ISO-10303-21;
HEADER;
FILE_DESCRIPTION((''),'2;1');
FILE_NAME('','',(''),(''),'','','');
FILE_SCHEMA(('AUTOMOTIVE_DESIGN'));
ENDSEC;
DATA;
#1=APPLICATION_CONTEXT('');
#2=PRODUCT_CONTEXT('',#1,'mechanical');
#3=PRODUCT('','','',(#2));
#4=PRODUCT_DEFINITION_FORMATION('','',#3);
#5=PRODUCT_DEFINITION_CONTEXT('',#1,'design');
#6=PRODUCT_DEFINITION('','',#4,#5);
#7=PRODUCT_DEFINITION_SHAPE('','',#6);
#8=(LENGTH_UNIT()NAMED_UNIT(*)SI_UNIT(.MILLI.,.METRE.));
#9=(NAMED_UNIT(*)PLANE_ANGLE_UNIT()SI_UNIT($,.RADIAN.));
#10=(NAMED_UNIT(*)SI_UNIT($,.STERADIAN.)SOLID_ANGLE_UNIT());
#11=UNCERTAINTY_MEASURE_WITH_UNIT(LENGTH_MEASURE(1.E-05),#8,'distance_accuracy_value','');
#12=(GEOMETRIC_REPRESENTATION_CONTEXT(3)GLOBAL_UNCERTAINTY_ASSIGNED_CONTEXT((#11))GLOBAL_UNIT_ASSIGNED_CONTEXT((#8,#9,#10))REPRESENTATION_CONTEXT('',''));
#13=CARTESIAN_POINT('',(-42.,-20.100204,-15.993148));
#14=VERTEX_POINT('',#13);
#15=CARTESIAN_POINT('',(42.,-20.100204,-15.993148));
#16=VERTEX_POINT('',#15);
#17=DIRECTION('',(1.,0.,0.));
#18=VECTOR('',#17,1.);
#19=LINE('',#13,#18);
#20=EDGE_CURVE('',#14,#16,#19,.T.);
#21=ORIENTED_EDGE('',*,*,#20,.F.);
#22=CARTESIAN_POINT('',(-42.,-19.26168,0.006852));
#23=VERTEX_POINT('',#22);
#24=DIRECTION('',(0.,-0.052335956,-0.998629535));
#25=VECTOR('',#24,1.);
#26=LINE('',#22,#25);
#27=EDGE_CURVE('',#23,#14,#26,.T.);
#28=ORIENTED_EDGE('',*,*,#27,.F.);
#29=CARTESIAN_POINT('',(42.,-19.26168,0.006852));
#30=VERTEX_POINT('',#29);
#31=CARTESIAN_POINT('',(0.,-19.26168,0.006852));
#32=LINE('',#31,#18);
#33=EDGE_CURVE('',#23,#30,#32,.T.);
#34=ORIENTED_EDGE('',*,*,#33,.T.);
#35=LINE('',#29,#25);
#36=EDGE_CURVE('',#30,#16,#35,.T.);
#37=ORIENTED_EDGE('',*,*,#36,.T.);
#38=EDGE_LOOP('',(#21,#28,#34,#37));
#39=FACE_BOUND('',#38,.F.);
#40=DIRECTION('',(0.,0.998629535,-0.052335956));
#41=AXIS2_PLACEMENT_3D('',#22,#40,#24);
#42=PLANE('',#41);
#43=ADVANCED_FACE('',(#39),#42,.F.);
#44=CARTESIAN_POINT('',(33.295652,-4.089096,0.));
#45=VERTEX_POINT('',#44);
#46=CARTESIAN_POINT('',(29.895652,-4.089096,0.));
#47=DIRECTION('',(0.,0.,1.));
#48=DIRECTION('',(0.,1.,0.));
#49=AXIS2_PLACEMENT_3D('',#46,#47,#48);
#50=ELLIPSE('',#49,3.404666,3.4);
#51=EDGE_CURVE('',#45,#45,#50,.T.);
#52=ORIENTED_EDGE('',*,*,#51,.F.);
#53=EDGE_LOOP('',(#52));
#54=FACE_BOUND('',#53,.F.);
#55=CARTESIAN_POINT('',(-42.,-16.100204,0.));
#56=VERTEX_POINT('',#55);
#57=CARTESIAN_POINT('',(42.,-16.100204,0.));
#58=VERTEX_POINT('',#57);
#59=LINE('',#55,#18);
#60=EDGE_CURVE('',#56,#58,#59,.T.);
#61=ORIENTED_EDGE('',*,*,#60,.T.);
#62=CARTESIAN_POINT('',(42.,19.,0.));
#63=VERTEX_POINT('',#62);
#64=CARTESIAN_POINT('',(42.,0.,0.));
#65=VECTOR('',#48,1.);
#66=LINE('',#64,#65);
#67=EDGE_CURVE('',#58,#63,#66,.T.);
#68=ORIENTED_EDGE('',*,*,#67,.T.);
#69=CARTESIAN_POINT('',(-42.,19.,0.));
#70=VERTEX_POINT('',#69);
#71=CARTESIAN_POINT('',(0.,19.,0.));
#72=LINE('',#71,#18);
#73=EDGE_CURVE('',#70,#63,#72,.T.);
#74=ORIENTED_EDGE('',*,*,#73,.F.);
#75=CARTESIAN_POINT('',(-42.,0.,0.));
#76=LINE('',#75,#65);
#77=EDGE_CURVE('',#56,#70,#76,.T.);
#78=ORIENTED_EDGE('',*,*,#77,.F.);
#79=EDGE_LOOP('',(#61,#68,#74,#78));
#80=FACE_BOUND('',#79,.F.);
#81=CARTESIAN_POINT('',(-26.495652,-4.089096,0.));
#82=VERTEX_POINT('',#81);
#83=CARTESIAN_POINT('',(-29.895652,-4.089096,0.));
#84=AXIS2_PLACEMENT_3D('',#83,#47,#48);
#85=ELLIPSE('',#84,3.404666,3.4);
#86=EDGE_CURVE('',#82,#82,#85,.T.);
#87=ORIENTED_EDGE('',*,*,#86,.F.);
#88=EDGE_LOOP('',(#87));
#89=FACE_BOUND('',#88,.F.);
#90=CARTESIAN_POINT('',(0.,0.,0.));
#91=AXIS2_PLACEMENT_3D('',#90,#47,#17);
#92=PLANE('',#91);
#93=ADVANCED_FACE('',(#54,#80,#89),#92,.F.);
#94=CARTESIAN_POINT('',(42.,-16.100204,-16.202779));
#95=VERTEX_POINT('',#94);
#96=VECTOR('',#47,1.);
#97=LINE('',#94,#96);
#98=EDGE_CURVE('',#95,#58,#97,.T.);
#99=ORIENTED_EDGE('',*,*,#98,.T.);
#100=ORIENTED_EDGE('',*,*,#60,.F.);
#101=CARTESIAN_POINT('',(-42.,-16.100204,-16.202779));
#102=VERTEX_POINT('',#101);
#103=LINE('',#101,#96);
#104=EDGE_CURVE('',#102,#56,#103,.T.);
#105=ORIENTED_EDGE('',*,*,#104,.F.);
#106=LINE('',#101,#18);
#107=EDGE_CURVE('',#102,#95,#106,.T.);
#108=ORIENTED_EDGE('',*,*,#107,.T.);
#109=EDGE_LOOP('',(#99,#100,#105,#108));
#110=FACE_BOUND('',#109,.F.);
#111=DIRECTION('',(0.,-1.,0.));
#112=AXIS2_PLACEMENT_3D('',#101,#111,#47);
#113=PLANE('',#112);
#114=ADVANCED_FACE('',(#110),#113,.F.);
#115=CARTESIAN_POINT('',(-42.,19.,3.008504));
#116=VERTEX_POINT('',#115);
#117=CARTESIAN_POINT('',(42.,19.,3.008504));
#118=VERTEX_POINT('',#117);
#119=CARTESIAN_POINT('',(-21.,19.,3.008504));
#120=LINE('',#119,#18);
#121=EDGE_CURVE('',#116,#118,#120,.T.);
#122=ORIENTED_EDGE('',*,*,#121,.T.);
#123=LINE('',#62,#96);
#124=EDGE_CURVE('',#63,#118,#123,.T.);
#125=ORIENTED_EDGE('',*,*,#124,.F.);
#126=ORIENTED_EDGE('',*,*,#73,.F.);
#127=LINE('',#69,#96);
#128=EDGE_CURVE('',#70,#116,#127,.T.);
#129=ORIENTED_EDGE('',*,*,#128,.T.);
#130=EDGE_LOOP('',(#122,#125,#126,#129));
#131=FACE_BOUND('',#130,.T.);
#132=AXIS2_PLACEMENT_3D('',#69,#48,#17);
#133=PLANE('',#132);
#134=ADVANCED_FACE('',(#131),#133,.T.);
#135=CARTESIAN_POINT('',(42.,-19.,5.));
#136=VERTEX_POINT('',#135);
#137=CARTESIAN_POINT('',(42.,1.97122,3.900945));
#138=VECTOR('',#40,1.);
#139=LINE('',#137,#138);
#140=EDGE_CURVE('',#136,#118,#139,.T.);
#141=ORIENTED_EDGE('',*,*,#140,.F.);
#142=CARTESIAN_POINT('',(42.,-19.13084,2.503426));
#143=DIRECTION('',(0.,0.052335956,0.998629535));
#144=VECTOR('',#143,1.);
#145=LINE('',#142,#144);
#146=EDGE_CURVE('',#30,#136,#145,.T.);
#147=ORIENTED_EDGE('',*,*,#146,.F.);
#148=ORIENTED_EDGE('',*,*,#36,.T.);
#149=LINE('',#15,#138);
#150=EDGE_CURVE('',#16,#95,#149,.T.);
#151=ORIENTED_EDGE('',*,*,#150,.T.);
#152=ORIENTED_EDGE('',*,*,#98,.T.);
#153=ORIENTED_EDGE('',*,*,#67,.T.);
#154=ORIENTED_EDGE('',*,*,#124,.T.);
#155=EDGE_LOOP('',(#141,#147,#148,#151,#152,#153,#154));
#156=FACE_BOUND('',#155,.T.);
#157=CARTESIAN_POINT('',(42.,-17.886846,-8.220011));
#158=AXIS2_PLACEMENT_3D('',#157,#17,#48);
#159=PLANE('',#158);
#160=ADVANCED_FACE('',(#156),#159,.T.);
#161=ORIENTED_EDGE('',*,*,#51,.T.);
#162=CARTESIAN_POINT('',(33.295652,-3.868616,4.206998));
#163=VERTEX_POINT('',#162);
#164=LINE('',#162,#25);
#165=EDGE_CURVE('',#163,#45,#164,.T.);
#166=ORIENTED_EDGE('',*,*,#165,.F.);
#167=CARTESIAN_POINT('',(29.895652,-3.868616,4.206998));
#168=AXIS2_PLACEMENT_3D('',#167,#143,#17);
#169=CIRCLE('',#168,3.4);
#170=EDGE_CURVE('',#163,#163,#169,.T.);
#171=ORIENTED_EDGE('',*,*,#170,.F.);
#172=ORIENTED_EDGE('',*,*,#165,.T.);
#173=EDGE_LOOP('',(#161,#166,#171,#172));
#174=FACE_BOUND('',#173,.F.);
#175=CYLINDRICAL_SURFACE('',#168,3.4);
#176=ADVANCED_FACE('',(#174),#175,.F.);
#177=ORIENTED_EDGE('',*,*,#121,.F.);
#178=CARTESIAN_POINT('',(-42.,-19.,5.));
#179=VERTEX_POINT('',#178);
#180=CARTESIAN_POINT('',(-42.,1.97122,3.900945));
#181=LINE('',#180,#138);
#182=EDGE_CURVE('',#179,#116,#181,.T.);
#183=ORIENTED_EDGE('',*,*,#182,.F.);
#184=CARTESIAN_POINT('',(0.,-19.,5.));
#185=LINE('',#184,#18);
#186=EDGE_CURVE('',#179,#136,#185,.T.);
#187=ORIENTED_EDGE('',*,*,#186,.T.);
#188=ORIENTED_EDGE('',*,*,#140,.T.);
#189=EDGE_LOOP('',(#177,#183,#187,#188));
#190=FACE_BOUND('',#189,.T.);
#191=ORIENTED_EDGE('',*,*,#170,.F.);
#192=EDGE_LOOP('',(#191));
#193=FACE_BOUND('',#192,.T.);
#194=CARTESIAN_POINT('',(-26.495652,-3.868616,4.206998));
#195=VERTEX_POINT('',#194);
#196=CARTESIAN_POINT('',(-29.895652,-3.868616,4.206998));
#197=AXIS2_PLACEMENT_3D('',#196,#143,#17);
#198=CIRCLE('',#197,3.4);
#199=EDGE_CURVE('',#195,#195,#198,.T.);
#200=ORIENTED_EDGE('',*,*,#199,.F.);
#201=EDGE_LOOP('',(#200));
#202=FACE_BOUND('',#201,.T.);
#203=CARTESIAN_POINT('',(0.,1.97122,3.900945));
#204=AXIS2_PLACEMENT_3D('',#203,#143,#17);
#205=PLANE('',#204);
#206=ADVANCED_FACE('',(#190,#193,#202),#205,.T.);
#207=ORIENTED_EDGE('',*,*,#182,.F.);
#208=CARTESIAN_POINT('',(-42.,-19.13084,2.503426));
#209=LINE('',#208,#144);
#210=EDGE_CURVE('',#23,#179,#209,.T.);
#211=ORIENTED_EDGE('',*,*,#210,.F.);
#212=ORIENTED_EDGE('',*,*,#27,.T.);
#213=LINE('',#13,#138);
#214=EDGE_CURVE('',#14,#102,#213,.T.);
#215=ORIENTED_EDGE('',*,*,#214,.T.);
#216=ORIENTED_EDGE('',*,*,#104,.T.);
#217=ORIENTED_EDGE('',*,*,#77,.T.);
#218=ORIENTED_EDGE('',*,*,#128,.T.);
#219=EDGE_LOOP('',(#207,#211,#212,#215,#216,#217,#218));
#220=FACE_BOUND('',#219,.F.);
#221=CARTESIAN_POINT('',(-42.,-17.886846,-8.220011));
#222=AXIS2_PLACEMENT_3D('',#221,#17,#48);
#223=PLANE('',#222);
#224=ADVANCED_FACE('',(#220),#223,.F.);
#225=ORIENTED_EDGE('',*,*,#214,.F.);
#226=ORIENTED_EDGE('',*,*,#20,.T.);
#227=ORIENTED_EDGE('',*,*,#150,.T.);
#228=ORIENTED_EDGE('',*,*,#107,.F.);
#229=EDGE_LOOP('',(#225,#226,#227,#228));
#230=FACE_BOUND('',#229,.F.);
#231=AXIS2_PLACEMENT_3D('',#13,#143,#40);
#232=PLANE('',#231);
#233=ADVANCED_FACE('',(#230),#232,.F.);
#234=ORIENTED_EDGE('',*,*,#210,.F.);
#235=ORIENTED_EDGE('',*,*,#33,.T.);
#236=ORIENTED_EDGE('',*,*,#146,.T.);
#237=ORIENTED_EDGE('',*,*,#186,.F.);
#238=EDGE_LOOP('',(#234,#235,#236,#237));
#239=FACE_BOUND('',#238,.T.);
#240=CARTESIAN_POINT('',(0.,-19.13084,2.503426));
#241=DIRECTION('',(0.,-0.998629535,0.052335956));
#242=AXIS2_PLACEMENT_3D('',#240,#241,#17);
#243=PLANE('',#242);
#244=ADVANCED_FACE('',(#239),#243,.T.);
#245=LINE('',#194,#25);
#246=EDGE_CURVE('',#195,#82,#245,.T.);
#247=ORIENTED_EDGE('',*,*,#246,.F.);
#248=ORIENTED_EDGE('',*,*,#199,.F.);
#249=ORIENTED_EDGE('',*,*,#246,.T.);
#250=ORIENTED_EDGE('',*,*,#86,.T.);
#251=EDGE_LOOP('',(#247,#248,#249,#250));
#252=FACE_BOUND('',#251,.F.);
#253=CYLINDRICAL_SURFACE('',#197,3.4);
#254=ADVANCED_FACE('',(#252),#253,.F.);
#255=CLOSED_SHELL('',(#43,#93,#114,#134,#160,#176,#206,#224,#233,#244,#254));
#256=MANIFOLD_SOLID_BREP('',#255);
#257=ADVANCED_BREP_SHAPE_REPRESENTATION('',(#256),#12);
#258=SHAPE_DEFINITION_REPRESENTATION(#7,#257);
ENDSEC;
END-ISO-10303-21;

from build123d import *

# Parameters (mm, degrees)
SKETCH1_W           = 84
SKETCH1_H           = 38
BOSS_EXTRUDE1_DEPTH = 5
SKETCH2_W           = 84
SKETCH2_H           = 42
CUT_REVOLVE1_ANGLE  = 3
SKETCH5_W           = 84
SKETCH5_H           = 5
REVOLVE1_ANGLE      = 3
BOSS_EXTRUDE3_DEPTH = 84
SKETCH4_R           = 3.4
CUT_EXTRUDE1_DEPTH  = 10


with BuildPart() as part:
    # Sketch1 → Boss-Extrude1 (new body)
    with BuildSketch(Plane.XY):
        Rectangle(SKETCH1_W, SKETCH1_H)
    extrude(amount=BOSS_EXTRUDE1_DEPTH)

    # Sketch2 → Cut-Revolve1 (revolve, cut)
    with BuildSketch(Plane.XY.offset(5)):
        with Locations((0, 2)):
            Rectangle(SKETCH2_W, SKETCH2_H)
    revolve(axis=Axis((-42, -19, 5), (-1, 0, 0)), revolution_arc=CUT_REVOLVE1_ANGLE, mode=Mode.SUBTRACT)

    # Sketch5 → Revolve1 (revolve)
    with BuildSketch(Plane.XZ.offset(19)):
        with Locations((0, 2.5)):
            Rectangle(SKETCH5_W, SKETCH5_H)
    revolve(axis=Axis((-42, -19, 5), (-1, 0, 0)), revolution_arc=REVOLVE1_ANGLE)

    # Sketch6 → Boss-Extrude3 (add)
    with BuildSketch(Plane(origin=(-42, 0, 0), x_dir=(0, -1, 0), z_dir=(-1, 0, 0))):
        Polygon((19.261679781, 0.006852326), (20.10020425, -15.993147674), (16.10020425, -16.202778791), (16.10020425, 0), align=None)
    extrude(amount=-BOSS_EXTRUDE3_DEPTH)

    # Sketch4 → Cut-Extrude1 (cut)
    with BuildSketch(Plane(origin=(0, 0.209279164, 3.993284337), x_dir=(1, 0, 0), z_dir=(0, 0.052335956, 0.998629535))):
        with Locations((29.895651858, -4.083491794)):
            Circle(SKETCH4_R)
        with Locations((-29.895651858, -4.083491794)):
            Circle(SKETCH4_R)
    extrude(amount=-CUT_EXTRUDE1_DEPTH, mode=Mode.SUBTRACT)


solid = part.part
